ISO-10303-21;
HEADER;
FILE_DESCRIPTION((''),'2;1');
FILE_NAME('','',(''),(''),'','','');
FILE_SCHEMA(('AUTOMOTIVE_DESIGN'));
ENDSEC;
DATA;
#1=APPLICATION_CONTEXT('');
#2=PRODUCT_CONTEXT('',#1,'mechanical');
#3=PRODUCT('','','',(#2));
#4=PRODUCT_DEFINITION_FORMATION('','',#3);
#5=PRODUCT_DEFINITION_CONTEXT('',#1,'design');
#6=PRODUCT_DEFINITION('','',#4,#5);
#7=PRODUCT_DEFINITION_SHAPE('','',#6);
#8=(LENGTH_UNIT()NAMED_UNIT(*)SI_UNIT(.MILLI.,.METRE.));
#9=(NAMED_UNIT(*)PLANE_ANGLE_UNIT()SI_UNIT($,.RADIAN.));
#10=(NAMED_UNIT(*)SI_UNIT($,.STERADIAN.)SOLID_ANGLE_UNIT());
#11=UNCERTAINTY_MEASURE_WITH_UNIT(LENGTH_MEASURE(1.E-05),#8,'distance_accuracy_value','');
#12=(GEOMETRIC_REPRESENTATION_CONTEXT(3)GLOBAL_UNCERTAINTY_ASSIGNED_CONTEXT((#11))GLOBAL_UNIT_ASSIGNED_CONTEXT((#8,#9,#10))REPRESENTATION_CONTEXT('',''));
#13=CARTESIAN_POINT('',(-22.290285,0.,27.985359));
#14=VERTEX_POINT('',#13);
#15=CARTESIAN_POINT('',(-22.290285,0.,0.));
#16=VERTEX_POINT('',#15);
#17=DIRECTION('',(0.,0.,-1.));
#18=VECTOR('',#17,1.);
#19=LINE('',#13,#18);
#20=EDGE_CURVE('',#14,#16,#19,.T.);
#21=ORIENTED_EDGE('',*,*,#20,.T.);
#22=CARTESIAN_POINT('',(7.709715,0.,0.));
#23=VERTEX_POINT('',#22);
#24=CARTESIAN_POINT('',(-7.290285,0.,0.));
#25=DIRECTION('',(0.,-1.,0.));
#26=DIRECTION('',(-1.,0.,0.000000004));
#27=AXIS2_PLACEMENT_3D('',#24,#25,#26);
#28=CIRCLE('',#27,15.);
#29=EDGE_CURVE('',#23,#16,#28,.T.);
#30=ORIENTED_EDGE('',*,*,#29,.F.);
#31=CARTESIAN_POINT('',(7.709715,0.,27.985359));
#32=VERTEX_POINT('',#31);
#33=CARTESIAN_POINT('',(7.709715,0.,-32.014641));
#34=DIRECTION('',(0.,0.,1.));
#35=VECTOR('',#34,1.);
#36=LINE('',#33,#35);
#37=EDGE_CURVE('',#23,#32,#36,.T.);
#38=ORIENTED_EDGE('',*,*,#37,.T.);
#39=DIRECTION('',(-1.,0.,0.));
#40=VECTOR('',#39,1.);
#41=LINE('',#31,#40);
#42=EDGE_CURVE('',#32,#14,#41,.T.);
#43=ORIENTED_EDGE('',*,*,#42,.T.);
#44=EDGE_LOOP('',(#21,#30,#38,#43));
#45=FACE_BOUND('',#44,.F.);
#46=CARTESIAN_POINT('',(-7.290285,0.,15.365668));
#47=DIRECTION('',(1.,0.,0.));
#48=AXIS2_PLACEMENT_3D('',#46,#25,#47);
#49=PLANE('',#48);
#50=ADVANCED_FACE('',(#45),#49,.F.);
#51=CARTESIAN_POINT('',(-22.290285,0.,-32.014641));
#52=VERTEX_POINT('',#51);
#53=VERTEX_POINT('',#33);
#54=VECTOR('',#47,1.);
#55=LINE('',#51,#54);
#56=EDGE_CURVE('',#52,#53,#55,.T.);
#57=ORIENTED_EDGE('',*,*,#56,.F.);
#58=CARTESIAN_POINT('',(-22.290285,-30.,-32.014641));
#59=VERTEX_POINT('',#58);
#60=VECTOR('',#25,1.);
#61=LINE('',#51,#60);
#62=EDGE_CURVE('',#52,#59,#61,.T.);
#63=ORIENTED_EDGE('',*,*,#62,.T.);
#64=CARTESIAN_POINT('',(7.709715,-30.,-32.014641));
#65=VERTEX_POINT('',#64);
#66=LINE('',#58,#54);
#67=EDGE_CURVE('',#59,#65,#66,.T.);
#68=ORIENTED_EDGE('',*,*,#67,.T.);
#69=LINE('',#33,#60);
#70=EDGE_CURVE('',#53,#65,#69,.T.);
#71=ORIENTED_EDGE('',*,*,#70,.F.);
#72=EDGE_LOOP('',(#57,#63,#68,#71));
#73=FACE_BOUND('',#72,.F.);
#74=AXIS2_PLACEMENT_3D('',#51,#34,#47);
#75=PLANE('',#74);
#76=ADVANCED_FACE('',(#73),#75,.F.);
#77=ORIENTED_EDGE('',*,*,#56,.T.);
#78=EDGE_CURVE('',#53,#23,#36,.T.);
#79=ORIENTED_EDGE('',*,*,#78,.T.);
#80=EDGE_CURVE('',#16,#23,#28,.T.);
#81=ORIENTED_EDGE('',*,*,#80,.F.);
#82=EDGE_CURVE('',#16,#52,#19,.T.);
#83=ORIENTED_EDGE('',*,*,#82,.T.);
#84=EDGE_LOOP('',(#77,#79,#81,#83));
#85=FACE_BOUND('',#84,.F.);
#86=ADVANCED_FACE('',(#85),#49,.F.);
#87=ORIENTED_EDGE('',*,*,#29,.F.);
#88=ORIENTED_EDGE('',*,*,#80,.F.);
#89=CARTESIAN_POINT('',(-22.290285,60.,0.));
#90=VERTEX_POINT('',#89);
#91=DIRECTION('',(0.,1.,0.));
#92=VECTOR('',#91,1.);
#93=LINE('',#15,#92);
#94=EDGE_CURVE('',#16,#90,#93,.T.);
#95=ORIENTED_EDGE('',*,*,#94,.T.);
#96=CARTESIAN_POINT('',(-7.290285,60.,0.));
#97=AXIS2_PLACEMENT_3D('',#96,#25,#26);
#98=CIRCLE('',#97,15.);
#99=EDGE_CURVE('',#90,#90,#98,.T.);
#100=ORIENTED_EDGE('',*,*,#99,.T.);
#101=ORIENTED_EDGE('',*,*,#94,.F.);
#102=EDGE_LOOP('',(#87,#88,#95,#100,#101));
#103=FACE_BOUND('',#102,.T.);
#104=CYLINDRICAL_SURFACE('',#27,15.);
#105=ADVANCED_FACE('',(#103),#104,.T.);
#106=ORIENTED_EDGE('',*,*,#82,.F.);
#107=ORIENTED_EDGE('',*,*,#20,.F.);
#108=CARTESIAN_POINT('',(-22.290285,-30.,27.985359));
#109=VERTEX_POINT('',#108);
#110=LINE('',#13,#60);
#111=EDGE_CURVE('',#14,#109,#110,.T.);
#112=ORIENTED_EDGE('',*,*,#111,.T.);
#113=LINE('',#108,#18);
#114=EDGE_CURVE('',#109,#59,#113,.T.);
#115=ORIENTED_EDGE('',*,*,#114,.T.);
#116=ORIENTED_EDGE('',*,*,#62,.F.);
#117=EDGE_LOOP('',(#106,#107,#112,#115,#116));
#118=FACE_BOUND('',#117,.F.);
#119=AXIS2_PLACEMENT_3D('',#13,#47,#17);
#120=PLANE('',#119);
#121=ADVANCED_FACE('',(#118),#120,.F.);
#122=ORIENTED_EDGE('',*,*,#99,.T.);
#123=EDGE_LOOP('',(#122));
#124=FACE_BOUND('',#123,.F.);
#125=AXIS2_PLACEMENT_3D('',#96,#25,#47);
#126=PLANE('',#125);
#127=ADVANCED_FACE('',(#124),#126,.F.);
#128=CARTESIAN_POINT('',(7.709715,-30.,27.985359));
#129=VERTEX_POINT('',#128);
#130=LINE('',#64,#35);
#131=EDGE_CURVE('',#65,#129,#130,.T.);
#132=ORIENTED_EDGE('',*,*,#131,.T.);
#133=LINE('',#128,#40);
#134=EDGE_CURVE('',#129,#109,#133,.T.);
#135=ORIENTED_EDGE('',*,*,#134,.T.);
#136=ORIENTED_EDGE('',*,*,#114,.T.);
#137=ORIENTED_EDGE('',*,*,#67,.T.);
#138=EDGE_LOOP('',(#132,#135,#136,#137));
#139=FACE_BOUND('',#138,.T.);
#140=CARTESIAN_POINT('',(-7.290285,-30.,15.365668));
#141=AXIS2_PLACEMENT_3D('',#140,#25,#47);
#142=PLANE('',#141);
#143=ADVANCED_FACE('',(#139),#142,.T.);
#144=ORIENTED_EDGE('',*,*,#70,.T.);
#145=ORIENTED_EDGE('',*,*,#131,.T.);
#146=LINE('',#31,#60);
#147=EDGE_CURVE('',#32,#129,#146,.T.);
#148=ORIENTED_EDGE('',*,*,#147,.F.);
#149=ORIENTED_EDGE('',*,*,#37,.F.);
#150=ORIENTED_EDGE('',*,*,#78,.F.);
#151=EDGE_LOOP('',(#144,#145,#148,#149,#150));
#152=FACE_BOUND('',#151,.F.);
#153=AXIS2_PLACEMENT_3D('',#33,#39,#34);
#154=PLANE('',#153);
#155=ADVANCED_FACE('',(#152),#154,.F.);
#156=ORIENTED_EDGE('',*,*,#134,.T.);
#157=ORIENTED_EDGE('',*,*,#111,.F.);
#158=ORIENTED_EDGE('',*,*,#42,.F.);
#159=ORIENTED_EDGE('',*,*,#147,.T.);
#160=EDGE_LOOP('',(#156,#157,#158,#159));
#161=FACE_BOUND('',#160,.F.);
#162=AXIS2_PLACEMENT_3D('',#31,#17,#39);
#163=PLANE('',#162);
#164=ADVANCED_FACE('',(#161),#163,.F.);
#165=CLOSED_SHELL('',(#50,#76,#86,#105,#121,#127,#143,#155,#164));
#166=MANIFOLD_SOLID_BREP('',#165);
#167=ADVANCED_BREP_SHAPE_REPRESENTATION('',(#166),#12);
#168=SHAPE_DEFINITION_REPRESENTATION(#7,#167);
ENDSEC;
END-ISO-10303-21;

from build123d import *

# Parameters (mm, degrees)
F1_DEPTH = 30
F2_DEPTH = 60


with BuildPart() as f1:
    # F0 (on Front) → F1 (new body)
    with BuildSketch(Plane.XZ):
        with BuildLine():
            Line((7.7097149414, 27.9853592813), (-22.2902850586, 27.9853592813))
            Line((-22.2902850586, 27.9853592813), (-22.2902850586, 6.68e-08))
            ThreePointArc((-22.2902850586, 6.68e-08), (-7.2902850252, 15), (7.7097149414, 0))
            Line((7.7097149414, 0), (7.7097149414, 27.9853592813))
        make_face()
        with BuildLine():
            ThreePointArc((7.7097149414, 0), (-7.290285092, -15), (-22.2902850586, 6.68e-08))
            Line((-22.2902850586, 6.68e-08), (-22.2902850586, -32.0146407187))
            Line((-22.2902850586, -32.0146407187), (7.7097149414, -32.0146407187))
            Line((7.7097149414, -32.0146407187), (7.7097149414, 0))
        make_face()
        with BuildLine():
            ThreePointArc((7.7097149414, 0), (-7.2902850252, 15), (-22.2902850586, 6.68e-08))
            ThreePointArc((-22.2902850586, 6.68e-08), (-7.290285092, -15), (7.7097149414, 0))
        make_face()
    extrude(amount=F1_DEPTH)

    # F0 (on Front) → F2 (join)
    with BuildSketch(Plane.XZ):
        with BuildLine():
            ThreePointArc((7.7097149414, 0), (-7.2902850252, 15), (-22.2902850586, 6.68e-08))
            ThreePointArc((-22.2902850586, 6.68e-08), (-7.290285092, -15), (7.7097149414, 0))
        make_face()
    extrude(amount=-F2_DEPTH)


solid = f1.part
